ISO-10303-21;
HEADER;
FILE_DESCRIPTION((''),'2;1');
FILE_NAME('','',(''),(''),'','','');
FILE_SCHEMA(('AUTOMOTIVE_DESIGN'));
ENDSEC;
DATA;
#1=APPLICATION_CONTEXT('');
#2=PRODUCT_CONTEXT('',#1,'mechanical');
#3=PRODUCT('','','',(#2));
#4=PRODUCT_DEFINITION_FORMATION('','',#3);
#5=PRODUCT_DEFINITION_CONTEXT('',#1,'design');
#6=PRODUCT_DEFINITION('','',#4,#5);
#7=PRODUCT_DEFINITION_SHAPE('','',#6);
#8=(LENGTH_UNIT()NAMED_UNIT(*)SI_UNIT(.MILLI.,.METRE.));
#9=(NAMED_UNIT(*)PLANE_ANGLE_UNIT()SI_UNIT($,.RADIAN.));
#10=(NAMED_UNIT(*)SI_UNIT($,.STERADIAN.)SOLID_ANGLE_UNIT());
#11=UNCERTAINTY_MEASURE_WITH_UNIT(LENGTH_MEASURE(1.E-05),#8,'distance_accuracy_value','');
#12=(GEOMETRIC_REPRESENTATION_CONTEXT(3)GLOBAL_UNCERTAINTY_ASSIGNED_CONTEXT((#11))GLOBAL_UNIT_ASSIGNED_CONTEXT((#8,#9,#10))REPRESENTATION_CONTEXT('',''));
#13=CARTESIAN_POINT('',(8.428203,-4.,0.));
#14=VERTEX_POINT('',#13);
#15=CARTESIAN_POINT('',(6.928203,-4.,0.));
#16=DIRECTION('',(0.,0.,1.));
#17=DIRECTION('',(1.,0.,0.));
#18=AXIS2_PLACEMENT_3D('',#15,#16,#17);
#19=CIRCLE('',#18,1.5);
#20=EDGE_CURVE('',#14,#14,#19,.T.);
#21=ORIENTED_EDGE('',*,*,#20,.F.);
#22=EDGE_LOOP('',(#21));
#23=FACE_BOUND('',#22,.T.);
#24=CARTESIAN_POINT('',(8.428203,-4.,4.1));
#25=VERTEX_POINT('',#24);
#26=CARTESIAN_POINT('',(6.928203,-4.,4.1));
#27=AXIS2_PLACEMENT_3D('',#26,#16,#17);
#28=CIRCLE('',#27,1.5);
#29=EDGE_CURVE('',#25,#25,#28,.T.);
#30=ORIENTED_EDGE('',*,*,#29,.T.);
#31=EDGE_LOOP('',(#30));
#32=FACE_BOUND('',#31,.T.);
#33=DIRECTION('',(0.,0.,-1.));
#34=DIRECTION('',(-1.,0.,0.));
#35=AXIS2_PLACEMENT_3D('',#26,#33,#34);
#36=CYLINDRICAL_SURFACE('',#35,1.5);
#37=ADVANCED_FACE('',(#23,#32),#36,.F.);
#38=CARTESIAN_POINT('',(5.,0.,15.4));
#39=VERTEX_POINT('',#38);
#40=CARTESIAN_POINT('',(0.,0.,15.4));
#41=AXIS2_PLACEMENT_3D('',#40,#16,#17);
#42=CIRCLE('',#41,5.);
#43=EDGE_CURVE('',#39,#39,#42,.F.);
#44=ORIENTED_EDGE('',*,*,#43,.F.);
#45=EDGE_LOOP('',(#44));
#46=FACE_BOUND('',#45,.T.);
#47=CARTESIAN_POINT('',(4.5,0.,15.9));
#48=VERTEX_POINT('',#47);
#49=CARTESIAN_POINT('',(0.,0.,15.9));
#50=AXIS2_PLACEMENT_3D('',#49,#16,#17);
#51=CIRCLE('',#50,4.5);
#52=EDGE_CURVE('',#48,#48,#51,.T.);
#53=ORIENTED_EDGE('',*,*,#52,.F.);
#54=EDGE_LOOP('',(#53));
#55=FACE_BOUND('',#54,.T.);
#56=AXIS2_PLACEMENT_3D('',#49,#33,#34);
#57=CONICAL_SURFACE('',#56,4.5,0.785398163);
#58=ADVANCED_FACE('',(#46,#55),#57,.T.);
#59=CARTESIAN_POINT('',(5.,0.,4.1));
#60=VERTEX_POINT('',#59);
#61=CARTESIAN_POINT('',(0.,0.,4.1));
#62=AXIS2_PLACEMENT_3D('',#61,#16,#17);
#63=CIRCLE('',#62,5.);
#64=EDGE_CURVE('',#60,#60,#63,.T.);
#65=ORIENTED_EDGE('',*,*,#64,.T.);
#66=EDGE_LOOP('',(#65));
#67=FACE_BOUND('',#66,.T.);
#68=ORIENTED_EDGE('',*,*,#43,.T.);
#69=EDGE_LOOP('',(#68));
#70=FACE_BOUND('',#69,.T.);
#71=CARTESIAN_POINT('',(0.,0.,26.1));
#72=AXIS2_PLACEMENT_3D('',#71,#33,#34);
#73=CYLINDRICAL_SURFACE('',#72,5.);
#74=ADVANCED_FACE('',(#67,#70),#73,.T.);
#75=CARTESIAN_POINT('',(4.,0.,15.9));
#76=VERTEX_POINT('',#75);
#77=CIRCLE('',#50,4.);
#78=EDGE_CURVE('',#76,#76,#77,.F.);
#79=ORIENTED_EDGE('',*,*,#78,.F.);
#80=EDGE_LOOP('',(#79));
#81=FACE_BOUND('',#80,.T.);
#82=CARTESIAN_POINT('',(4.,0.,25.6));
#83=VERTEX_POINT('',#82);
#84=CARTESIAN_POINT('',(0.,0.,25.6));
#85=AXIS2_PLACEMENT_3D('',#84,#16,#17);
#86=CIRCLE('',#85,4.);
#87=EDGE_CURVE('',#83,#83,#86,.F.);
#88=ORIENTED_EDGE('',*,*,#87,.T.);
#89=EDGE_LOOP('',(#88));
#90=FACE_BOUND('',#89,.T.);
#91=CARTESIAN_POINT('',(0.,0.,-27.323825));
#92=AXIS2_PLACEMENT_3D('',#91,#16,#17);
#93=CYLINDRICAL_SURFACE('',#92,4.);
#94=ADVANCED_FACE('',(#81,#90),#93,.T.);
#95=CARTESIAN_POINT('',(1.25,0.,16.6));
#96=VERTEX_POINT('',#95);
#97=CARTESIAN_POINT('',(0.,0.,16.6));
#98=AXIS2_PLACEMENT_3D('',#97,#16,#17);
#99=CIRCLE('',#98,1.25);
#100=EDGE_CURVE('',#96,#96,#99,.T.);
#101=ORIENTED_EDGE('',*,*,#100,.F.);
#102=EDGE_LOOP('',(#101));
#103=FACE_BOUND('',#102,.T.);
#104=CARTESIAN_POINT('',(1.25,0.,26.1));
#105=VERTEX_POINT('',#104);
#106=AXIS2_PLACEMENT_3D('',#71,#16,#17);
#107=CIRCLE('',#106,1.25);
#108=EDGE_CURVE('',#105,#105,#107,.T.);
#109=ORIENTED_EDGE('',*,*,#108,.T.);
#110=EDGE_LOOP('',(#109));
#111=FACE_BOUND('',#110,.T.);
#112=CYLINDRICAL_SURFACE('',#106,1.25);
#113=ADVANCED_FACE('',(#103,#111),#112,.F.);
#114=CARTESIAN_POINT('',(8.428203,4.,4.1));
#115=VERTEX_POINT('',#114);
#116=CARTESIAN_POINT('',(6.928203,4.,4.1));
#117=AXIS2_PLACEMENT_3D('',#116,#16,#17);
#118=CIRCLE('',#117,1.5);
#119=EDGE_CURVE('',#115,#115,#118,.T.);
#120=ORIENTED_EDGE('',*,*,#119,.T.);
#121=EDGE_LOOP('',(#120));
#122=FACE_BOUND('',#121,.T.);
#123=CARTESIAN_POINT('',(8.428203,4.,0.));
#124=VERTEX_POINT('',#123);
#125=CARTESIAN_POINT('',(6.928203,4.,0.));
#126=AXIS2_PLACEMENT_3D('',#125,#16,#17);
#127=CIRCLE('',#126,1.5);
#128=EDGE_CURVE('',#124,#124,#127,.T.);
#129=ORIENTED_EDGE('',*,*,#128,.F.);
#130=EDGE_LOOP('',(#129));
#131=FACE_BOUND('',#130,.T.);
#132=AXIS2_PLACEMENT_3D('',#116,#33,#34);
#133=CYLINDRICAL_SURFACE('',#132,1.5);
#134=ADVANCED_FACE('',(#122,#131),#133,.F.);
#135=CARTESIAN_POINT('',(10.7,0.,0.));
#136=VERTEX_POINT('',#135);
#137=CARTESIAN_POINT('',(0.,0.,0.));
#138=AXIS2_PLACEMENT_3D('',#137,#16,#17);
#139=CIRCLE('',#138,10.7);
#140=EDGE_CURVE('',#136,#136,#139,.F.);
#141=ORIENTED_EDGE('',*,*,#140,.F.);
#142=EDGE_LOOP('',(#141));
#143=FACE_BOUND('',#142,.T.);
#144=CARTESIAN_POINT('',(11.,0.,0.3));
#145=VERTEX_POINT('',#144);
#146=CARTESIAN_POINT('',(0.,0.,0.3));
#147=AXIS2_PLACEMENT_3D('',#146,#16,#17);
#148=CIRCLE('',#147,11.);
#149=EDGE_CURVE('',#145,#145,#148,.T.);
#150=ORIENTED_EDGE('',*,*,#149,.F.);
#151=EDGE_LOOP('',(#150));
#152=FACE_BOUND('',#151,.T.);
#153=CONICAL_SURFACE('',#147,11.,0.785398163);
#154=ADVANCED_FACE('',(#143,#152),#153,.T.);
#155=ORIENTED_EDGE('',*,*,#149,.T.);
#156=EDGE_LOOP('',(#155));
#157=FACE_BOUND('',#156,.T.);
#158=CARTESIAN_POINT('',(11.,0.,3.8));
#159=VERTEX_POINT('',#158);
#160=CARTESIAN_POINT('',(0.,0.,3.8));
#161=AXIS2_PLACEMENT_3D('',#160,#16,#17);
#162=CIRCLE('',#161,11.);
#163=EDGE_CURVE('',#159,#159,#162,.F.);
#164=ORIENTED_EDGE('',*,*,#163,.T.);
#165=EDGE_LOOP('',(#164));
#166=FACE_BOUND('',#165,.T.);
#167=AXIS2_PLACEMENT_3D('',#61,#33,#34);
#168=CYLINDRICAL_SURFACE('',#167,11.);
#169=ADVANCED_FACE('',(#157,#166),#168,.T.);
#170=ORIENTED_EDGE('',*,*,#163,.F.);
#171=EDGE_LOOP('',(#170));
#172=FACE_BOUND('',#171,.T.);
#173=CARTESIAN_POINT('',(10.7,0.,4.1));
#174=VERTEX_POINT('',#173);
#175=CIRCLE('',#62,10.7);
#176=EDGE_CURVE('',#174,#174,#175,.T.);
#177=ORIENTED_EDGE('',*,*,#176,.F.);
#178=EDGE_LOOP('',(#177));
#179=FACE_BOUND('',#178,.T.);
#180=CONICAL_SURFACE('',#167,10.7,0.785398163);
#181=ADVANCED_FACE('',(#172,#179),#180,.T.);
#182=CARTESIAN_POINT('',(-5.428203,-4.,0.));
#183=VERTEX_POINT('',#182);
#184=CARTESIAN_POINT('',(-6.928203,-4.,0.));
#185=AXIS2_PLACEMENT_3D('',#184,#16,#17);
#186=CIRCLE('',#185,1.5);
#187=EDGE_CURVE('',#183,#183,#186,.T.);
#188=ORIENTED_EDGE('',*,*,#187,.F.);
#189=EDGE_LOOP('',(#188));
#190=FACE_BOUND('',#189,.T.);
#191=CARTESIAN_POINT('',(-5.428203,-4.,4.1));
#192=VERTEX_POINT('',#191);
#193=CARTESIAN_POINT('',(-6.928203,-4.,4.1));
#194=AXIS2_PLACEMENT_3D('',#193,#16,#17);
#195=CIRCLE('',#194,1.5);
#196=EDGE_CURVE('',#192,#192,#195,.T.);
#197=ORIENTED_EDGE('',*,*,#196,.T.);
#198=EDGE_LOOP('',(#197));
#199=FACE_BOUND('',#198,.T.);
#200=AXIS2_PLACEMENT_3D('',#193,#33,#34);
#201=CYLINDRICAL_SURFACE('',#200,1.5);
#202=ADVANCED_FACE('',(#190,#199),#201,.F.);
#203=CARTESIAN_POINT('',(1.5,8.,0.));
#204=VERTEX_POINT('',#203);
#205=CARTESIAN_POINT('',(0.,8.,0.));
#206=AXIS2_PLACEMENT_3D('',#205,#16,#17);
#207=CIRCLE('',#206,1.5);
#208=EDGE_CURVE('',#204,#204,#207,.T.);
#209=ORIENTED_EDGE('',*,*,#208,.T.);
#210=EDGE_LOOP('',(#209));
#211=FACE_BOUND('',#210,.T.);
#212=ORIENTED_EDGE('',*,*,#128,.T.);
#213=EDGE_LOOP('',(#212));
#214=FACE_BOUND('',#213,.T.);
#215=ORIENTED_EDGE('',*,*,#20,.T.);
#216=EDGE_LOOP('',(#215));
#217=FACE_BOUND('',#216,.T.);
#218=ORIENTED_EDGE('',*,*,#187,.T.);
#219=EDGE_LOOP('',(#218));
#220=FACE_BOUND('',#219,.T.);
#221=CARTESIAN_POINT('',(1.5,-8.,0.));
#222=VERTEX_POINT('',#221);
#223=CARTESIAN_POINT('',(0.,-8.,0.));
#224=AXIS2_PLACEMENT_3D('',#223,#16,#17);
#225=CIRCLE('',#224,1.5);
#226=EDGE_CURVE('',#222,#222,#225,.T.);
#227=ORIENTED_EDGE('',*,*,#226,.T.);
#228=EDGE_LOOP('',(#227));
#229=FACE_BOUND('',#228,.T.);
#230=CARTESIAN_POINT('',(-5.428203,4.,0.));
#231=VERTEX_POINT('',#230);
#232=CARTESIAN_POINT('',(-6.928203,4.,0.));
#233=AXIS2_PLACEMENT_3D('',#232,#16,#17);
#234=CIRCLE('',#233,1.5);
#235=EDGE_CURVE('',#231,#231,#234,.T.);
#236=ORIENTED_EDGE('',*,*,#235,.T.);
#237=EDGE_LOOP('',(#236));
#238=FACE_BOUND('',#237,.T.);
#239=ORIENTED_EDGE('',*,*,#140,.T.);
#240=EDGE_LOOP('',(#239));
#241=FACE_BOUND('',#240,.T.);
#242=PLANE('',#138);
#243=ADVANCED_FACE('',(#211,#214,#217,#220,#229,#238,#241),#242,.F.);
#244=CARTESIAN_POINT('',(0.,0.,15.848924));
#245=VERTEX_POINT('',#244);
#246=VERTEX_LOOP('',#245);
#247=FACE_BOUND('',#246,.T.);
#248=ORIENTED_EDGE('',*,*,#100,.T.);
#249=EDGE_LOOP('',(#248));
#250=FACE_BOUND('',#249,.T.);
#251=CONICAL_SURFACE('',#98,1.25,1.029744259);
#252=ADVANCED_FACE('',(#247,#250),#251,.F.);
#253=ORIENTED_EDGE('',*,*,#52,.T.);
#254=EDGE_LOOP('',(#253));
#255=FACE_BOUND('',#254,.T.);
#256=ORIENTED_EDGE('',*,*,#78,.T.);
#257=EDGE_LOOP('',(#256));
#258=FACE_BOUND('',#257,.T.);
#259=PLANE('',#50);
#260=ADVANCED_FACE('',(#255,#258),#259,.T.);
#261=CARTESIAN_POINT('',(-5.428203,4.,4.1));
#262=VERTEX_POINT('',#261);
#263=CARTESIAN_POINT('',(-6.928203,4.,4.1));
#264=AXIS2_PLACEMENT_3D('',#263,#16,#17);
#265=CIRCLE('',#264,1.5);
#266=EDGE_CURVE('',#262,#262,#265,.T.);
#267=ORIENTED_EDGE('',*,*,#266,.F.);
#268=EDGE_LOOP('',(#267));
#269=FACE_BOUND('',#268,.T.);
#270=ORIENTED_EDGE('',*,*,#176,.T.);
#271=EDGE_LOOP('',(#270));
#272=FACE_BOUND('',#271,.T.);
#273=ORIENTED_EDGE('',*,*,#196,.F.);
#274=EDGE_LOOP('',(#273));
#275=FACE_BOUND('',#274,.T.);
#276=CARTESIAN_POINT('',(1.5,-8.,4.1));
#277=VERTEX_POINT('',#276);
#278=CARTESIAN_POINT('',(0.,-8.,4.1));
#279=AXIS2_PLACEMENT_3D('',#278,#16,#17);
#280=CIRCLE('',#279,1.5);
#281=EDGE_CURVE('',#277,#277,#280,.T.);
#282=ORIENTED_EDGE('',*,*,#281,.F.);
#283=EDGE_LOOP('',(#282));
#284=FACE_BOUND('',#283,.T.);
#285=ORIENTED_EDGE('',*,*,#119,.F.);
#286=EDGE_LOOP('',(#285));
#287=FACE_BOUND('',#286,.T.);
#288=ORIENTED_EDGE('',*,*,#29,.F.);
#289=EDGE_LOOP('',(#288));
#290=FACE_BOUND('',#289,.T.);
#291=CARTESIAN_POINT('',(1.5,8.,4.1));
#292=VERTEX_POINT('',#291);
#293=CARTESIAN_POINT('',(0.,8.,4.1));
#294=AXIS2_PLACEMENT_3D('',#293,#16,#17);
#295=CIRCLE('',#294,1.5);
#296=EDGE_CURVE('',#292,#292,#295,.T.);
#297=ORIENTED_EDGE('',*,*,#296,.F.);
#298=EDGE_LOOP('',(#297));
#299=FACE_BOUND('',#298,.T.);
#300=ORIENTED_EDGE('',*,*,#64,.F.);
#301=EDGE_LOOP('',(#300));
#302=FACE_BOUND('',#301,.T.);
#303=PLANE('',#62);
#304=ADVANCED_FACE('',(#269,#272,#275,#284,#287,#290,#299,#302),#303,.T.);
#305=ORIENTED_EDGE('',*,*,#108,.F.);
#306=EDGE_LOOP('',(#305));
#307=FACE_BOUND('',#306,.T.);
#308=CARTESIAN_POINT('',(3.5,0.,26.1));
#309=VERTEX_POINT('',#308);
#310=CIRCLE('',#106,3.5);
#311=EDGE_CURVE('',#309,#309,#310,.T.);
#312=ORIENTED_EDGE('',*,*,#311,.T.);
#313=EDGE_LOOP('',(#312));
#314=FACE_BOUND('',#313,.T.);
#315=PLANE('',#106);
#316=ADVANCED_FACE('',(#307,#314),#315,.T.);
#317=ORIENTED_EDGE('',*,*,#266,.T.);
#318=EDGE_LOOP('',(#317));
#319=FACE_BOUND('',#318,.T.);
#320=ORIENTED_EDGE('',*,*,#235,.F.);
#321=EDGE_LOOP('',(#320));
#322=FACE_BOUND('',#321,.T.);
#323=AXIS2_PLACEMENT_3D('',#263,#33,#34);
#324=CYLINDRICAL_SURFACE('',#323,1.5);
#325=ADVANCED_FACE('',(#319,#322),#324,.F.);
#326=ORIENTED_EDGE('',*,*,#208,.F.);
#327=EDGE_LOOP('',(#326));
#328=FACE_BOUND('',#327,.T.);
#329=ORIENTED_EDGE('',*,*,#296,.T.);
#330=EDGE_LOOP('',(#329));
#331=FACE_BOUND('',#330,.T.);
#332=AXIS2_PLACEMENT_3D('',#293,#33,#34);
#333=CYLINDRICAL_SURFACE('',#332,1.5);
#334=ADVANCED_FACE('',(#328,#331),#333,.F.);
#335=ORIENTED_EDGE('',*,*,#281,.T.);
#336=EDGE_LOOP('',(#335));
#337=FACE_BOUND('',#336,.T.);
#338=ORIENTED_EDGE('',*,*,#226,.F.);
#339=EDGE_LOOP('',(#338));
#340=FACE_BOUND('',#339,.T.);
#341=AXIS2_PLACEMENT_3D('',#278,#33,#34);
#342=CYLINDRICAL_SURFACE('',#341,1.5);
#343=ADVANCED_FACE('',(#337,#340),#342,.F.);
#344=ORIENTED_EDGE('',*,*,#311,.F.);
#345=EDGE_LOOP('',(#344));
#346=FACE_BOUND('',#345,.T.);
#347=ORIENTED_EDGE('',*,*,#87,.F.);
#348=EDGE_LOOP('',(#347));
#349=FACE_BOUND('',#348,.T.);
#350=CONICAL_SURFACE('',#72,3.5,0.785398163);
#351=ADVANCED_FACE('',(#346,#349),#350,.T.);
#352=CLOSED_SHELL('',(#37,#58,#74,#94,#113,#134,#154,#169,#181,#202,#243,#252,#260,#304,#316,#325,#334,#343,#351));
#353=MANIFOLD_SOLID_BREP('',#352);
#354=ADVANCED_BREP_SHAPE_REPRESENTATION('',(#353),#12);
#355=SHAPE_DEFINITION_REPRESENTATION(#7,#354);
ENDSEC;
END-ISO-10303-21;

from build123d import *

# Parameters (mm, degrees)
SKETCH_1_R             = 11
SKETCH_1_R_2           = 1.5
EXTRUDE_1_DEPTH        = 4.1
SKETCH_2_R             = 5
EXTRUDE_2_DEPTH        = 22
SKETCH_3_OUTSIDE_W     = 32.122
SKETCH_3_OUTSIDE_H     = 32.122
SKETCH_3_OUTSIDE_R     = 4
CUT_EXTRUDE_1_DEPTH    = 10.2
CHAMFER_1_SIZE         = 0.5
HOLE_WIZARD_M3_1_D     = 2.5
HOLE_WIZARD_M3_1_DEPTH = 9.5
HOLE_WIZARD_M3_1_TIP   = 0.751075774
CHAMFER_2_SIZE         = 0.3


with BuildPart() as part:
    # 草图1 → 凸台-拉伸1 (new body)
    with BuildSketch(Plane.XY):
        Circle(SKETCH_1_R)
        with Locations((0, 8)):
            Circle(SKETCH_1_R_2, mode=Mode.SUBTRACT)
        with Locations((6.92820323, 4)):
            Circle(SKETCH_1_R_2, mode=Mode.SUBTRACT)
        with Locations((6.92820323, -4)):
            Circle(SKETCH_1_R_2, mode=Mode.SUBTRACT)
        with Locations((0, -8)):
            Circle(SKETCH_1_R_2, mode=Mode.SUBTRACT)
        with Locations((-6.92820323, -4)):
            Circle(SKETCH_1_R_2, mode=Mode.SUBTRACT)
        with Locations((-6.92820323, 4)):
            Circle(SKETCH_1_R_2, mode=Mode.SUBTRACT)
    extrude(amount=EXTRUDE_1_DEPTH)

    # 草图2 → 凸台-拉伸2 (add)
    with BuildSketch(Plane.XY.offset(4.1)):
        Circle(SKETCH_2_R)
    extrude(amount=EXTRUDE_2_DEPTH)

    # 草图3 outside → 切除-拉伸1 (cut)
    with BuildSketch(Plane.XY.offset(26.1)):
        Rectangle(SKETCH_3_OUTSIDE_W, SKETCH_3_OUTSIDE_H)
        Circle(SKETCH_3_OUTSIDE_R, mode=Mode.SUBTRACT)
    extrude(amount=-CUT_EXTRUDE_1_DEPTH, mode=Mode.SUBTRACT)

    # 倒角1
    chamfer_1_edges = [part.edges().sort_by_distance(p)[0] for p in [
        (-4, 0, 26.1),
        (-5, 0, 15.9),
    ]]
    chamfer(chamfer_1_edges, length=CHAMFER_1_SIZE)

    # M3 螺纹孔1
    with Locations(Plane.XY.offset(26.1)):
        with Locations((0, 0)):
            Hole(HOLE_WIZARD_M3_1_D / 2, depth=HOLE_WIZARD_M3_1_DEPTH)
            with Locations((0, 0, -(HOLE_WIZARD_M3_1_DEPTH + HOLE_WIZARD_M3_1_TIP / 2))):  # 118° drill point
                Cone(0, HOLE_WIZARD_M3_1_D / 2, HOLE_WIZARD_M3_1_TIP, mode=Mode.SUBTRACT)

    # 倒角2
    chamfer_2_edges = [part.edges().sort_by_distance(p)[0] for p in [
        (-11, 0, 0),
        (-11, 0, 4.1),
    ]]
    chamfer(chamfer_2_edges, length=CHAMFER_2_SIZE)


solid = part.part
